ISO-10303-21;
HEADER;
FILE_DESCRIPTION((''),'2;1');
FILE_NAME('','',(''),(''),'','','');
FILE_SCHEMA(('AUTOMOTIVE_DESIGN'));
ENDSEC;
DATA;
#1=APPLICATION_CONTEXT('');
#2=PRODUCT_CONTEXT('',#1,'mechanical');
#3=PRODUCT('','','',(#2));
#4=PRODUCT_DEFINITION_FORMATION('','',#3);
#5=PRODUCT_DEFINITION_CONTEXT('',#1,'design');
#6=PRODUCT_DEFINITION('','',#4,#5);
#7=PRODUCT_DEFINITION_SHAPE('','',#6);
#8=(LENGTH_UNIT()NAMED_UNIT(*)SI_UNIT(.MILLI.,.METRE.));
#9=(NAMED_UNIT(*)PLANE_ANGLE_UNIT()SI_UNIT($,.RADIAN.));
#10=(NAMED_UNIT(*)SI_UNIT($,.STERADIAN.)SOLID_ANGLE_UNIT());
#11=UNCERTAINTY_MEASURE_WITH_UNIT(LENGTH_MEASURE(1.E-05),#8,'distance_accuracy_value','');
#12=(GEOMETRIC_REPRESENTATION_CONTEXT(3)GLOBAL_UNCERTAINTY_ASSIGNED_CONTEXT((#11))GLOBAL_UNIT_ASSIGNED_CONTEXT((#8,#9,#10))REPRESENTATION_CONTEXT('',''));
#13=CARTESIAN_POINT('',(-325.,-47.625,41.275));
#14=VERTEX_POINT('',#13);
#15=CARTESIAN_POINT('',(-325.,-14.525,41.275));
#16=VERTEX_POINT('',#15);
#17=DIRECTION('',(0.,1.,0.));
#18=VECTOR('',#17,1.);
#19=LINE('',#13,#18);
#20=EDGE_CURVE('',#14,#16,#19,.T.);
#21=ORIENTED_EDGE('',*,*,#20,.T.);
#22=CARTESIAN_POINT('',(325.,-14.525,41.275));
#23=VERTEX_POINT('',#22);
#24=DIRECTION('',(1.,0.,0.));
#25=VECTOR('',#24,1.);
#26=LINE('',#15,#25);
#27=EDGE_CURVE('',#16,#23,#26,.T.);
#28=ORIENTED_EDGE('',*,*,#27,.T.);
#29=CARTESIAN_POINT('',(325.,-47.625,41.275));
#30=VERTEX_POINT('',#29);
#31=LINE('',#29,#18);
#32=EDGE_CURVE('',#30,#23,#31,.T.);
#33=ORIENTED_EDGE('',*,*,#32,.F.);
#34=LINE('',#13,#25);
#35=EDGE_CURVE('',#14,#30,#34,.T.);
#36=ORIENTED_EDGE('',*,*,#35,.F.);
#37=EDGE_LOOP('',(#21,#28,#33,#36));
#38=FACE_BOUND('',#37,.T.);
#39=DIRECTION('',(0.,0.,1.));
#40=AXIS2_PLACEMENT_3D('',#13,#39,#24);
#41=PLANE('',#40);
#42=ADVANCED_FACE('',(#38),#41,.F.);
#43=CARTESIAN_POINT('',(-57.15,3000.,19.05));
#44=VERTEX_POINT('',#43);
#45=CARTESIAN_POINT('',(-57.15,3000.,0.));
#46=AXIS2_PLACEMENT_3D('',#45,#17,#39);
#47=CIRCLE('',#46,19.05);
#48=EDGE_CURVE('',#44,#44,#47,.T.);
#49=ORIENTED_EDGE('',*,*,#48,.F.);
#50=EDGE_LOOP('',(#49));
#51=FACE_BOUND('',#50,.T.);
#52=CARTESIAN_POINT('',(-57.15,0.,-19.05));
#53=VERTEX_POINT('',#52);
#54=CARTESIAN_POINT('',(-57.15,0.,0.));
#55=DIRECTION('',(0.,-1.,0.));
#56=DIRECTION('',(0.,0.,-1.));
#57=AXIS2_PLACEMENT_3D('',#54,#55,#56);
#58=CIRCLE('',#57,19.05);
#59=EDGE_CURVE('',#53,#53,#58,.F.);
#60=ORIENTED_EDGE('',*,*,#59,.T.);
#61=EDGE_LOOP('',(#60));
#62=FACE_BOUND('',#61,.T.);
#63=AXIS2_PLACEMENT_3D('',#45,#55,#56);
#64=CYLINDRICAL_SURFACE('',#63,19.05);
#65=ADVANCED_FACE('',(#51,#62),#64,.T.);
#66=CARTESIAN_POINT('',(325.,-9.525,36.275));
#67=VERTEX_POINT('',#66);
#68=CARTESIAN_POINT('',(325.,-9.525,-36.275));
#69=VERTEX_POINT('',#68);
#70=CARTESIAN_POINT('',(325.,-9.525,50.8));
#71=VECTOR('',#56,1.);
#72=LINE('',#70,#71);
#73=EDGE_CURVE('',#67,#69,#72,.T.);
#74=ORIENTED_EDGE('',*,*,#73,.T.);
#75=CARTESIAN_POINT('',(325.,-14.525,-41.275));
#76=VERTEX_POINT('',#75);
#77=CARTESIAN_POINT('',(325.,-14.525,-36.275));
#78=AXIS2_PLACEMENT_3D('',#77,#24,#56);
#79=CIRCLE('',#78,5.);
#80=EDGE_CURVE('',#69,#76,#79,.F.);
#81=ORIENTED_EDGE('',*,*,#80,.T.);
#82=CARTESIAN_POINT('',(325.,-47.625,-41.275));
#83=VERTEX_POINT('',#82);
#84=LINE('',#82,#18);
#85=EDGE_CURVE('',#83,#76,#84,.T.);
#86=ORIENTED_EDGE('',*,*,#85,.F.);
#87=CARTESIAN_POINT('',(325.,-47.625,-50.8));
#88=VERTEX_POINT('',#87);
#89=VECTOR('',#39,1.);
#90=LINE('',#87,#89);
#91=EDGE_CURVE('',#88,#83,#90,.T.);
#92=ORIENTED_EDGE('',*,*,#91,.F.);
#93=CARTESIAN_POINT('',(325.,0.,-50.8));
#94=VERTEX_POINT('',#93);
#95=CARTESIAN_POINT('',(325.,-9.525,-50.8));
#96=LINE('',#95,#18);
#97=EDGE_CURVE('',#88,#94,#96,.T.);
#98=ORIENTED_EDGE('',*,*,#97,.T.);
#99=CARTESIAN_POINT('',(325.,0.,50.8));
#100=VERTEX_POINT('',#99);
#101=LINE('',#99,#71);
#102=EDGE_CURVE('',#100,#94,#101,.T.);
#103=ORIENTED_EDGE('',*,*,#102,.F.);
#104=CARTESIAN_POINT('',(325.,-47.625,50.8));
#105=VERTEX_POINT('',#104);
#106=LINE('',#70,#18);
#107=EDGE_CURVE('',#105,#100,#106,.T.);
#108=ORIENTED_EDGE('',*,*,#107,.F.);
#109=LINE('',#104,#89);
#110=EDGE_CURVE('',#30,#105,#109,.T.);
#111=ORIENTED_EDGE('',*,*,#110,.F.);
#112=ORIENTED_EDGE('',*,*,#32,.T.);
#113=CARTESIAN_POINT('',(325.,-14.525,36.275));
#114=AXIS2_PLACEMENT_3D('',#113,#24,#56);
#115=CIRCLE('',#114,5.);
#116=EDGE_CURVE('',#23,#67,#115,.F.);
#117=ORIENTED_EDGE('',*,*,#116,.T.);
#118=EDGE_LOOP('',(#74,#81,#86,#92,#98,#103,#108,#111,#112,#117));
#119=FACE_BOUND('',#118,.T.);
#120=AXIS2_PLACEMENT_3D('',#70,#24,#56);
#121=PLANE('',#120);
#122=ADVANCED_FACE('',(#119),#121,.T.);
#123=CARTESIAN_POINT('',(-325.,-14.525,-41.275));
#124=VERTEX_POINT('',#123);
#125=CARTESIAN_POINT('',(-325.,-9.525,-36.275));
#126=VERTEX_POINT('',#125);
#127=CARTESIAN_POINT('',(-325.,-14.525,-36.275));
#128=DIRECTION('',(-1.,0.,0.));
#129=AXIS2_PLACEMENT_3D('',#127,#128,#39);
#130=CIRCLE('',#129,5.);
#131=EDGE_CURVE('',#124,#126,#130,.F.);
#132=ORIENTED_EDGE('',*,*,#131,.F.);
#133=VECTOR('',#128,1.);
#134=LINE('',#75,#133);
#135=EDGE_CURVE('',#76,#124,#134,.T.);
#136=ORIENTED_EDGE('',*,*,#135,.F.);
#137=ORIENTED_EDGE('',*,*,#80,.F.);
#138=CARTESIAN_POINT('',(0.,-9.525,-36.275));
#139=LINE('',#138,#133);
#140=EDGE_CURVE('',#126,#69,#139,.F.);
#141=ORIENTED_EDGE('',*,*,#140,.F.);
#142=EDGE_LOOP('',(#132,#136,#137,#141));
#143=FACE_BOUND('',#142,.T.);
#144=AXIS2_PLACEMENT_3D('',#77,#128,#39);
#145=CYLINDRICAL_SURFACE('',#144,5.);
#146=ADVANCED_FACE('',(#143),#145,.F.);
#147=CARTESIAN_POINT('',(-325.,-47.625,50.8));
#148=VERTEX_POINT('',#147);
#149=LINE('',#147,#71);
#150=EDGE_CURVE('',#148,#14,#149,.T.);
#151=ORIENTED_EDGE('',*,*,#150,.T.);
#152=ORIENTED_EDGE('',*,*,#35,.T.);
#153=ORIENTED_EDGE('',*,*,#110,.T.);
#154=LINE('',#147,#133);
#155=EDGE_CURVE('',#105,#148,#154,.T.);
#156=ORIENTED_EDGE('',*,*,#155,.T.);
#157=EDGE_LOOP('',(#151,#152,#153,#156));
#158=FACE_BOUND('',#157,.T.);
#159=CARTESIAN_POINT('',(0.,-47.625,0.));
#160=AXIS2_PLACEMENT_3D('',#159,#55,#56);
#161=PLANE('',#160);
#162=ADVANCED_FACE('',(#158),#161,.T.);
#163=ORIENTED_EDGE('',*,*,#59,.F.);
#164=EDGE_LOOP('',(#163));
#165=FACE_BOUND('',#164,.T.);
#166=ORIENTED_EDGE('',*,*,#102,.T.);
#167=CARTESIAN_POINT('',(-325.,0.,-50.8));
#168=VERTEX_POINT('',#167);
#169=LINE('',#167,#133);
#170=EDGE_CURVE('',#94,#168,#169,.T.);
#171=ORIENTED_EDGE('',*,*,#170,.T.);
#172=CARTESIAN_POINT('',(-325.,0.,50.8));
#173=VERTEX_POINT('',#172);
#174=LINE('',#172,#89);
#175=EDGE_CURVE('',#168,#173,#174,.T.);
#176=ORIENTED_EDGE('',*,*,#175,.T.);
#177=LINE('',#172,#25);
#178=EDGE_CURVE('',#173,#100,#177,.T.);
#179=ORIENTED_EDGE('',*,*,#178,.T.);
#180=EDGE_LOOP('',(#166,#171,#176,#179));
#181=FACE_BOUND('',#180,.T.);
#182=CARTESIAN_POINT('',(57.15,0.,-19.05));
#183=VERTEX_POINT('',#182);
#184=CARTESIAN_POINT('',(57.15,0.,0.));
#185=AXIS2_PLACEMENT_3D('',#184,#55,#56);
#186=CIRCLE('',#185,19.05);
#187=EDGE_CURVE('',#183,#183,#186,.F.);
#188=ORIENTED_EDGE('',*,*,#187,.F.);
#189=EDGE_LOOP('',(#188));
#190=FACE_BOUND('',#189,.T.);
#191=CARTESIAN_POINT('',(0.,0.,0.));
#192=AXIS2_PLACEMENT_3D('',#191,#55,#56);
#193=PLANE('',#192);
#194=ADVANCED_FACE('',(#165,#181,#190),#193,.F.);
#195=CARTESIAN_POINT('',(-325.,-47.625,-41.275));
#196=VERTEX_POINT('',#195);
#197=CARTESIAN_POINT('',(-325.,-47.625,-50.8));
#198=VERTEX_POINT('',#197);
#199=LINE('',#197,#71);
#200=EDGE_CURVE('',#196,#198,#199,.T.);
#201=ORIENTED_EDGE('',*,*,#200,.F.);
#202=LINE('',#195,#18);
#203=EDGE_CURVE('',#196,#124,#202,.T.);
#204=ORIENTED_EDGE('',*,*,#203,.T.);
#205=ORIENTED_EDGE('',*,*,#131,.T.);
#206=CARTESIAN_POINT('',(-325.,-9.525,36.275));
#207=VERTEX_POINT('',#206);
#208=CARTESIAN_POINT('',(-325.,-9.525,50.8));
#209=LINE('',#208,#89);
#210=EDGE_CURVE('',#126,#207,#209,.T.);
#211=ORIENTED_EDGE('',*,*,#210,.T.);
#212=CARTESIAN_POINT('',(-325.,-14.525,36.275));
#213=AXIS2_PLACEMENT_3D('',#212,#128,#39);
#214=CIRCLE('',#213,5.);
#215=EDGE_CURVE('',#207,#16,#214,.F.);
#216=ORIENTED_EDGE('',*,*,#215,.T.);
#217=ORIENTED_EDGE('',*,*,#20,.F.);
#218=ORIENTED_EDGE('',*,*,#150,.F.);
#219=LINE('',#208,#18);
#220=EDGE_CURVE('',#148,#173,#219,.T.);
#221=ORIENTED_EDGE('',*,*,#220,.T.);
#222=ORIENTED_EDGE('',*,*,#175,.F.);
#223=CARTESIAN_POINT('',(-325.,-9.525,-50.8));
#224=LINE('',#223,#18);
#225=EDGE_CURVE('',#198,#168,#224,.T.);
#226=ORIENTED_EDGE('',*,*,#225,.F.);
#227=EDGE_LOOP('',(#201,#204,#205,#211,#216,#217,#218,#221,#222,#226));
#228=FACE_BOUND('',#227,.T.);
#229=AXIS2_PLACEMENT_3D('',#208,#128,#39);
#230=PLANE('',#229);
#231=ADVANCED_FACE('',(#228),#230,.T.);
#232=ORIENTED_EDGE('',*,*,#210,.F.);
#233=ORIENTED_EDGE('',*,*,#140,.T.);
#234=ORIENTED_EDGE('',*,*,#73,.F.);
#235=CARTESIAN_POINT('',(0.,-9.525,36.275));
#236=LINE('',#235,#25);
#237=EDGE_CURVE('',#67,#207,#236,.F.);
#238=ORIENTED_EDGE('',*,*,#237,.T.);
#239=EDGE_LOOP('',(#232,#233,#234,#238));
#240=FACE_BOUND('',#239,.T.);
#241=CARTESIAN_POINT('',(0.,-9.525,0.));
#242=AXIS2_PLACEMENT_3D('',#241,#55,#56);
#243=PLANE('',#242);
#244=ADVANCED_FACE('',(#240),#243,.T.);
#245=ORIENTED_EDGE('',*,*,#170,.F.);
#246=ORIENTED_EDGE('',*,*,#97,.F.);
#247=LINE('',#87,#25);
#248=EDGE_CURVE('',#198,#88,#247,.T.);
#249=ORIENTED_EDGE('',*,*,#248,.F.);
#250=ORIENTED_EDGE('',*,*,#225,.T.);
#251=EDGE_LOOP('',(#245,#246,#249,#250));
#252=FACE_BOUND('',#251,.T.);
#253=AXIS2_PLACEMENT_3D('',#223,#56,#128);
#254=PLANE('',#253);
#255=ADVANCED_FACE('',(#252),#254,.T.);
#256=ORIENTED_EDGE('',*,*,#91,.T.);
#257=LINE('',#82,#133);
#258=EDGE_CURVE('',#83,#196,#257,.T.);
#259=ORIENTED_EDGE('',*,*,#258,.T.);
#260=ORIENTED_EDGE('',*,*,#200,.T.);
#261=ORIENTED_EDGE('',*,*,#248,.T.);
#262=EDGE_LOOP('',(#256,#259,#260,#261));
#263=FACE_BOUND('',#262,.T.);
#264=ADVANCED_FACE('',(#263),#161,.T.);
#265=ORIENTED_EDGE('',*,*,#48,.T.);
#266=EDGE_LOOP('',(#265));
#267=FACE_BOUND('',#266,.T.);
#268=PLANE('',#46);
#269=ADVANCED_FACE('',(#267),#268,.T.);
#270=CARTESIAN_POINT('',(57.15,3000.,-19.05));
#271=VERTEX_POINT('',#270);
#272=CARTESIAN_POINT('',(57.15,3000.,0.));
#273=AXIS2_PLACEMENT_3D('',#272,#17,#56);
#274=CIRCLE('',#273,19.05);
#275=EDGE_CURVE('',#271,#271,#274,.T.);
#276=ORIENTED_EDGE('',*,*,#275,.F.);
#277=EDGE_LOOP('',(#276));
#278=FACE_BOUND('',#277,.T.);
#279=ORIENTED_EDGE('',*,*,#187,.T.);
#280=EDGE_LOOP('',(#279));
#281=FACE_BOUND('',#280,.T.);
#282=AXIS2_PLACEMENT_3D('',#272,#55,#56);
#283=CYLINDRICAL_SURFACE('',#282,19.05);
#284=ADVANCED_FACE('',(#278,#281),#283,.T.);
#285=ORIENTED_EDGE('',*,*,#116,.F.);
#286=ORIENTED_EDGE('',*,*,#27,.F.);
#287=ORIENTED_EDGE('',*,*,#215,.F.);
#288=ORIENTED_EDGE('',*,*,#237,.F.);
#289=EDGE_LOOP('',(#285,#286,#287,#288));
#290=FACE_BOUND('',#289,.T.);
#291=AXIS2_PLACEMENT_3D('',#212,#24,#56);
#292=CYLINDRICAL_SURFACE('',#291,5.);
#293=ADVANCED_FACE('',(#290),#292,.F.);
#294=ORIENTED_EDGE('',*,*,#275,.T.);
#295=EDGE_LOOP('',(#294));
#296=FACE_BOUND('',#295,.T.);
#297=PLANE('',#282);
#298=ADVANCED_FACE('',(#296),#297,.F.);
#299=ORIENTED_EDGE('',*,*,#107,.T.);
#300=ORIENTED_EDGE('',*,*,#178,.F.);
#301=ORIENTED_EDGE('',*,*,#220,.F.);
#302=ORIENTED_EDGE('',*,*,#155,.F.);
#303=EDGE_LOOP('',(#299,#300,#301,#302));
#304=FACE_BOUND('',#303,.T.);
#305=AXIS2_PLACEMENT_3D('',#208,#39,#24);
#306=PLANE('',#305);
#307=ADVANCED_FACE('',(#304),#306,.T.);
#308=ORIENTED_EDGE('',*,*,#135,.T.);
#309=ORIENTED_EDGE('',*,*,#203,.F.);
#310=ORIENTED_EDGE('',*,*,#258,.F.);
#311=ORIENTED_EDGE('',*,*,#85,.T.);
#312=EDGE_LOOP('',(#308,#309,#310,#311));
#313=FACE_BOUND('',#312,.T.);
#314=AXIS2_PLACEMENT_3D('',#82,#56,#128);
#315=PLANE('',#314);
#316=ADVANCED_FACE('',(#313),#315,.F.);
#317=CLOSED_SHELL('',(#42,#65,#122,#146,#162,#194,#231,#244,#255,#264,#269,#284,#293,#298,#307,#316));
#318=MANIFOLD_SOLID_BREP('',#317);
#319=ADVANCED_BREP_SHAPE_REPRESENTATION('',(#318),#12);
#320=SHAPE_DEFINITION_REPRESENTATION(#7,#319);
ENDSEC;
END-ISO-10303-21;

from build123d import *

# Parameters (mm, degrees)
CROQUIS2_W              = 650
CROQUIS2_H              = 101.6
SALIENTE_EXTRUIR1_DEPTH = 9.525
CROQUIS3_W              = 650
CROQUIS3_H              = 9.525
SALIENTE_EXTRUIR2_DEPTH = 38.1
REDONDEO1_R             = 5
CROQUIS4_R              = 19.05
SALIENTE_EXTRUIR3_DEPTH = 3000


with BuildPart() as part:
    # Croquis2 → Saliente-Extruir1 (new body)
    with BuildSketch(Plane(origin=(0, 0, 0), x_dir=(1, 0, 0), z_dir=(0, 1, 0))):
        Rectangle(CROQUIS2_W, CROQUIS2_H)
    extrude(amount=-SALIENTE_EXTRUIR1_DEPTH)

    # Croquis3 → Saliente-Extruir2 (add)
    with BuildSketch(Plane.XZ.offset(9.525)):
        with Locations((0, 46.0375)):
            Rectangle(CROQUIS3_W, CROQUIS3_H)
        with Locations((0, -46.0375)):
            Rectangle(CROQUIS3_W, CROQUIS3_H)
    extrude(amount=SALIENTE_EXTRUIR2_DEPTH)

    # Redondeo1
    redondeo1_edges = [part.edges().sort_by_distance(p)[0] for p in [
        (0, -9.525, 41.275),
        (0, -9.525, -41.275),
    ]]
    fillet(redondeo1_edges, radius=REDONDEO1_R)

    # Croquis4 → Saliente-Extruir3 (add)
    with BuildSketch(Plane(origin=(0, 0, 0), x_dir=(1, 0, 0), z_dir=(0, 1, 0))):
        with Locations(Location((-57.15, 0, 0), (0, 0, 90))):
            Circle(CROQUIS4_R)
        with Locations(Location((57.15, 0, 0), (0, 0, 90))):
            Circle(CROQUIS4_R)
    extrude(amount=SALIENTE_EXTRUIR3_DEPTH)


solid = part.part
